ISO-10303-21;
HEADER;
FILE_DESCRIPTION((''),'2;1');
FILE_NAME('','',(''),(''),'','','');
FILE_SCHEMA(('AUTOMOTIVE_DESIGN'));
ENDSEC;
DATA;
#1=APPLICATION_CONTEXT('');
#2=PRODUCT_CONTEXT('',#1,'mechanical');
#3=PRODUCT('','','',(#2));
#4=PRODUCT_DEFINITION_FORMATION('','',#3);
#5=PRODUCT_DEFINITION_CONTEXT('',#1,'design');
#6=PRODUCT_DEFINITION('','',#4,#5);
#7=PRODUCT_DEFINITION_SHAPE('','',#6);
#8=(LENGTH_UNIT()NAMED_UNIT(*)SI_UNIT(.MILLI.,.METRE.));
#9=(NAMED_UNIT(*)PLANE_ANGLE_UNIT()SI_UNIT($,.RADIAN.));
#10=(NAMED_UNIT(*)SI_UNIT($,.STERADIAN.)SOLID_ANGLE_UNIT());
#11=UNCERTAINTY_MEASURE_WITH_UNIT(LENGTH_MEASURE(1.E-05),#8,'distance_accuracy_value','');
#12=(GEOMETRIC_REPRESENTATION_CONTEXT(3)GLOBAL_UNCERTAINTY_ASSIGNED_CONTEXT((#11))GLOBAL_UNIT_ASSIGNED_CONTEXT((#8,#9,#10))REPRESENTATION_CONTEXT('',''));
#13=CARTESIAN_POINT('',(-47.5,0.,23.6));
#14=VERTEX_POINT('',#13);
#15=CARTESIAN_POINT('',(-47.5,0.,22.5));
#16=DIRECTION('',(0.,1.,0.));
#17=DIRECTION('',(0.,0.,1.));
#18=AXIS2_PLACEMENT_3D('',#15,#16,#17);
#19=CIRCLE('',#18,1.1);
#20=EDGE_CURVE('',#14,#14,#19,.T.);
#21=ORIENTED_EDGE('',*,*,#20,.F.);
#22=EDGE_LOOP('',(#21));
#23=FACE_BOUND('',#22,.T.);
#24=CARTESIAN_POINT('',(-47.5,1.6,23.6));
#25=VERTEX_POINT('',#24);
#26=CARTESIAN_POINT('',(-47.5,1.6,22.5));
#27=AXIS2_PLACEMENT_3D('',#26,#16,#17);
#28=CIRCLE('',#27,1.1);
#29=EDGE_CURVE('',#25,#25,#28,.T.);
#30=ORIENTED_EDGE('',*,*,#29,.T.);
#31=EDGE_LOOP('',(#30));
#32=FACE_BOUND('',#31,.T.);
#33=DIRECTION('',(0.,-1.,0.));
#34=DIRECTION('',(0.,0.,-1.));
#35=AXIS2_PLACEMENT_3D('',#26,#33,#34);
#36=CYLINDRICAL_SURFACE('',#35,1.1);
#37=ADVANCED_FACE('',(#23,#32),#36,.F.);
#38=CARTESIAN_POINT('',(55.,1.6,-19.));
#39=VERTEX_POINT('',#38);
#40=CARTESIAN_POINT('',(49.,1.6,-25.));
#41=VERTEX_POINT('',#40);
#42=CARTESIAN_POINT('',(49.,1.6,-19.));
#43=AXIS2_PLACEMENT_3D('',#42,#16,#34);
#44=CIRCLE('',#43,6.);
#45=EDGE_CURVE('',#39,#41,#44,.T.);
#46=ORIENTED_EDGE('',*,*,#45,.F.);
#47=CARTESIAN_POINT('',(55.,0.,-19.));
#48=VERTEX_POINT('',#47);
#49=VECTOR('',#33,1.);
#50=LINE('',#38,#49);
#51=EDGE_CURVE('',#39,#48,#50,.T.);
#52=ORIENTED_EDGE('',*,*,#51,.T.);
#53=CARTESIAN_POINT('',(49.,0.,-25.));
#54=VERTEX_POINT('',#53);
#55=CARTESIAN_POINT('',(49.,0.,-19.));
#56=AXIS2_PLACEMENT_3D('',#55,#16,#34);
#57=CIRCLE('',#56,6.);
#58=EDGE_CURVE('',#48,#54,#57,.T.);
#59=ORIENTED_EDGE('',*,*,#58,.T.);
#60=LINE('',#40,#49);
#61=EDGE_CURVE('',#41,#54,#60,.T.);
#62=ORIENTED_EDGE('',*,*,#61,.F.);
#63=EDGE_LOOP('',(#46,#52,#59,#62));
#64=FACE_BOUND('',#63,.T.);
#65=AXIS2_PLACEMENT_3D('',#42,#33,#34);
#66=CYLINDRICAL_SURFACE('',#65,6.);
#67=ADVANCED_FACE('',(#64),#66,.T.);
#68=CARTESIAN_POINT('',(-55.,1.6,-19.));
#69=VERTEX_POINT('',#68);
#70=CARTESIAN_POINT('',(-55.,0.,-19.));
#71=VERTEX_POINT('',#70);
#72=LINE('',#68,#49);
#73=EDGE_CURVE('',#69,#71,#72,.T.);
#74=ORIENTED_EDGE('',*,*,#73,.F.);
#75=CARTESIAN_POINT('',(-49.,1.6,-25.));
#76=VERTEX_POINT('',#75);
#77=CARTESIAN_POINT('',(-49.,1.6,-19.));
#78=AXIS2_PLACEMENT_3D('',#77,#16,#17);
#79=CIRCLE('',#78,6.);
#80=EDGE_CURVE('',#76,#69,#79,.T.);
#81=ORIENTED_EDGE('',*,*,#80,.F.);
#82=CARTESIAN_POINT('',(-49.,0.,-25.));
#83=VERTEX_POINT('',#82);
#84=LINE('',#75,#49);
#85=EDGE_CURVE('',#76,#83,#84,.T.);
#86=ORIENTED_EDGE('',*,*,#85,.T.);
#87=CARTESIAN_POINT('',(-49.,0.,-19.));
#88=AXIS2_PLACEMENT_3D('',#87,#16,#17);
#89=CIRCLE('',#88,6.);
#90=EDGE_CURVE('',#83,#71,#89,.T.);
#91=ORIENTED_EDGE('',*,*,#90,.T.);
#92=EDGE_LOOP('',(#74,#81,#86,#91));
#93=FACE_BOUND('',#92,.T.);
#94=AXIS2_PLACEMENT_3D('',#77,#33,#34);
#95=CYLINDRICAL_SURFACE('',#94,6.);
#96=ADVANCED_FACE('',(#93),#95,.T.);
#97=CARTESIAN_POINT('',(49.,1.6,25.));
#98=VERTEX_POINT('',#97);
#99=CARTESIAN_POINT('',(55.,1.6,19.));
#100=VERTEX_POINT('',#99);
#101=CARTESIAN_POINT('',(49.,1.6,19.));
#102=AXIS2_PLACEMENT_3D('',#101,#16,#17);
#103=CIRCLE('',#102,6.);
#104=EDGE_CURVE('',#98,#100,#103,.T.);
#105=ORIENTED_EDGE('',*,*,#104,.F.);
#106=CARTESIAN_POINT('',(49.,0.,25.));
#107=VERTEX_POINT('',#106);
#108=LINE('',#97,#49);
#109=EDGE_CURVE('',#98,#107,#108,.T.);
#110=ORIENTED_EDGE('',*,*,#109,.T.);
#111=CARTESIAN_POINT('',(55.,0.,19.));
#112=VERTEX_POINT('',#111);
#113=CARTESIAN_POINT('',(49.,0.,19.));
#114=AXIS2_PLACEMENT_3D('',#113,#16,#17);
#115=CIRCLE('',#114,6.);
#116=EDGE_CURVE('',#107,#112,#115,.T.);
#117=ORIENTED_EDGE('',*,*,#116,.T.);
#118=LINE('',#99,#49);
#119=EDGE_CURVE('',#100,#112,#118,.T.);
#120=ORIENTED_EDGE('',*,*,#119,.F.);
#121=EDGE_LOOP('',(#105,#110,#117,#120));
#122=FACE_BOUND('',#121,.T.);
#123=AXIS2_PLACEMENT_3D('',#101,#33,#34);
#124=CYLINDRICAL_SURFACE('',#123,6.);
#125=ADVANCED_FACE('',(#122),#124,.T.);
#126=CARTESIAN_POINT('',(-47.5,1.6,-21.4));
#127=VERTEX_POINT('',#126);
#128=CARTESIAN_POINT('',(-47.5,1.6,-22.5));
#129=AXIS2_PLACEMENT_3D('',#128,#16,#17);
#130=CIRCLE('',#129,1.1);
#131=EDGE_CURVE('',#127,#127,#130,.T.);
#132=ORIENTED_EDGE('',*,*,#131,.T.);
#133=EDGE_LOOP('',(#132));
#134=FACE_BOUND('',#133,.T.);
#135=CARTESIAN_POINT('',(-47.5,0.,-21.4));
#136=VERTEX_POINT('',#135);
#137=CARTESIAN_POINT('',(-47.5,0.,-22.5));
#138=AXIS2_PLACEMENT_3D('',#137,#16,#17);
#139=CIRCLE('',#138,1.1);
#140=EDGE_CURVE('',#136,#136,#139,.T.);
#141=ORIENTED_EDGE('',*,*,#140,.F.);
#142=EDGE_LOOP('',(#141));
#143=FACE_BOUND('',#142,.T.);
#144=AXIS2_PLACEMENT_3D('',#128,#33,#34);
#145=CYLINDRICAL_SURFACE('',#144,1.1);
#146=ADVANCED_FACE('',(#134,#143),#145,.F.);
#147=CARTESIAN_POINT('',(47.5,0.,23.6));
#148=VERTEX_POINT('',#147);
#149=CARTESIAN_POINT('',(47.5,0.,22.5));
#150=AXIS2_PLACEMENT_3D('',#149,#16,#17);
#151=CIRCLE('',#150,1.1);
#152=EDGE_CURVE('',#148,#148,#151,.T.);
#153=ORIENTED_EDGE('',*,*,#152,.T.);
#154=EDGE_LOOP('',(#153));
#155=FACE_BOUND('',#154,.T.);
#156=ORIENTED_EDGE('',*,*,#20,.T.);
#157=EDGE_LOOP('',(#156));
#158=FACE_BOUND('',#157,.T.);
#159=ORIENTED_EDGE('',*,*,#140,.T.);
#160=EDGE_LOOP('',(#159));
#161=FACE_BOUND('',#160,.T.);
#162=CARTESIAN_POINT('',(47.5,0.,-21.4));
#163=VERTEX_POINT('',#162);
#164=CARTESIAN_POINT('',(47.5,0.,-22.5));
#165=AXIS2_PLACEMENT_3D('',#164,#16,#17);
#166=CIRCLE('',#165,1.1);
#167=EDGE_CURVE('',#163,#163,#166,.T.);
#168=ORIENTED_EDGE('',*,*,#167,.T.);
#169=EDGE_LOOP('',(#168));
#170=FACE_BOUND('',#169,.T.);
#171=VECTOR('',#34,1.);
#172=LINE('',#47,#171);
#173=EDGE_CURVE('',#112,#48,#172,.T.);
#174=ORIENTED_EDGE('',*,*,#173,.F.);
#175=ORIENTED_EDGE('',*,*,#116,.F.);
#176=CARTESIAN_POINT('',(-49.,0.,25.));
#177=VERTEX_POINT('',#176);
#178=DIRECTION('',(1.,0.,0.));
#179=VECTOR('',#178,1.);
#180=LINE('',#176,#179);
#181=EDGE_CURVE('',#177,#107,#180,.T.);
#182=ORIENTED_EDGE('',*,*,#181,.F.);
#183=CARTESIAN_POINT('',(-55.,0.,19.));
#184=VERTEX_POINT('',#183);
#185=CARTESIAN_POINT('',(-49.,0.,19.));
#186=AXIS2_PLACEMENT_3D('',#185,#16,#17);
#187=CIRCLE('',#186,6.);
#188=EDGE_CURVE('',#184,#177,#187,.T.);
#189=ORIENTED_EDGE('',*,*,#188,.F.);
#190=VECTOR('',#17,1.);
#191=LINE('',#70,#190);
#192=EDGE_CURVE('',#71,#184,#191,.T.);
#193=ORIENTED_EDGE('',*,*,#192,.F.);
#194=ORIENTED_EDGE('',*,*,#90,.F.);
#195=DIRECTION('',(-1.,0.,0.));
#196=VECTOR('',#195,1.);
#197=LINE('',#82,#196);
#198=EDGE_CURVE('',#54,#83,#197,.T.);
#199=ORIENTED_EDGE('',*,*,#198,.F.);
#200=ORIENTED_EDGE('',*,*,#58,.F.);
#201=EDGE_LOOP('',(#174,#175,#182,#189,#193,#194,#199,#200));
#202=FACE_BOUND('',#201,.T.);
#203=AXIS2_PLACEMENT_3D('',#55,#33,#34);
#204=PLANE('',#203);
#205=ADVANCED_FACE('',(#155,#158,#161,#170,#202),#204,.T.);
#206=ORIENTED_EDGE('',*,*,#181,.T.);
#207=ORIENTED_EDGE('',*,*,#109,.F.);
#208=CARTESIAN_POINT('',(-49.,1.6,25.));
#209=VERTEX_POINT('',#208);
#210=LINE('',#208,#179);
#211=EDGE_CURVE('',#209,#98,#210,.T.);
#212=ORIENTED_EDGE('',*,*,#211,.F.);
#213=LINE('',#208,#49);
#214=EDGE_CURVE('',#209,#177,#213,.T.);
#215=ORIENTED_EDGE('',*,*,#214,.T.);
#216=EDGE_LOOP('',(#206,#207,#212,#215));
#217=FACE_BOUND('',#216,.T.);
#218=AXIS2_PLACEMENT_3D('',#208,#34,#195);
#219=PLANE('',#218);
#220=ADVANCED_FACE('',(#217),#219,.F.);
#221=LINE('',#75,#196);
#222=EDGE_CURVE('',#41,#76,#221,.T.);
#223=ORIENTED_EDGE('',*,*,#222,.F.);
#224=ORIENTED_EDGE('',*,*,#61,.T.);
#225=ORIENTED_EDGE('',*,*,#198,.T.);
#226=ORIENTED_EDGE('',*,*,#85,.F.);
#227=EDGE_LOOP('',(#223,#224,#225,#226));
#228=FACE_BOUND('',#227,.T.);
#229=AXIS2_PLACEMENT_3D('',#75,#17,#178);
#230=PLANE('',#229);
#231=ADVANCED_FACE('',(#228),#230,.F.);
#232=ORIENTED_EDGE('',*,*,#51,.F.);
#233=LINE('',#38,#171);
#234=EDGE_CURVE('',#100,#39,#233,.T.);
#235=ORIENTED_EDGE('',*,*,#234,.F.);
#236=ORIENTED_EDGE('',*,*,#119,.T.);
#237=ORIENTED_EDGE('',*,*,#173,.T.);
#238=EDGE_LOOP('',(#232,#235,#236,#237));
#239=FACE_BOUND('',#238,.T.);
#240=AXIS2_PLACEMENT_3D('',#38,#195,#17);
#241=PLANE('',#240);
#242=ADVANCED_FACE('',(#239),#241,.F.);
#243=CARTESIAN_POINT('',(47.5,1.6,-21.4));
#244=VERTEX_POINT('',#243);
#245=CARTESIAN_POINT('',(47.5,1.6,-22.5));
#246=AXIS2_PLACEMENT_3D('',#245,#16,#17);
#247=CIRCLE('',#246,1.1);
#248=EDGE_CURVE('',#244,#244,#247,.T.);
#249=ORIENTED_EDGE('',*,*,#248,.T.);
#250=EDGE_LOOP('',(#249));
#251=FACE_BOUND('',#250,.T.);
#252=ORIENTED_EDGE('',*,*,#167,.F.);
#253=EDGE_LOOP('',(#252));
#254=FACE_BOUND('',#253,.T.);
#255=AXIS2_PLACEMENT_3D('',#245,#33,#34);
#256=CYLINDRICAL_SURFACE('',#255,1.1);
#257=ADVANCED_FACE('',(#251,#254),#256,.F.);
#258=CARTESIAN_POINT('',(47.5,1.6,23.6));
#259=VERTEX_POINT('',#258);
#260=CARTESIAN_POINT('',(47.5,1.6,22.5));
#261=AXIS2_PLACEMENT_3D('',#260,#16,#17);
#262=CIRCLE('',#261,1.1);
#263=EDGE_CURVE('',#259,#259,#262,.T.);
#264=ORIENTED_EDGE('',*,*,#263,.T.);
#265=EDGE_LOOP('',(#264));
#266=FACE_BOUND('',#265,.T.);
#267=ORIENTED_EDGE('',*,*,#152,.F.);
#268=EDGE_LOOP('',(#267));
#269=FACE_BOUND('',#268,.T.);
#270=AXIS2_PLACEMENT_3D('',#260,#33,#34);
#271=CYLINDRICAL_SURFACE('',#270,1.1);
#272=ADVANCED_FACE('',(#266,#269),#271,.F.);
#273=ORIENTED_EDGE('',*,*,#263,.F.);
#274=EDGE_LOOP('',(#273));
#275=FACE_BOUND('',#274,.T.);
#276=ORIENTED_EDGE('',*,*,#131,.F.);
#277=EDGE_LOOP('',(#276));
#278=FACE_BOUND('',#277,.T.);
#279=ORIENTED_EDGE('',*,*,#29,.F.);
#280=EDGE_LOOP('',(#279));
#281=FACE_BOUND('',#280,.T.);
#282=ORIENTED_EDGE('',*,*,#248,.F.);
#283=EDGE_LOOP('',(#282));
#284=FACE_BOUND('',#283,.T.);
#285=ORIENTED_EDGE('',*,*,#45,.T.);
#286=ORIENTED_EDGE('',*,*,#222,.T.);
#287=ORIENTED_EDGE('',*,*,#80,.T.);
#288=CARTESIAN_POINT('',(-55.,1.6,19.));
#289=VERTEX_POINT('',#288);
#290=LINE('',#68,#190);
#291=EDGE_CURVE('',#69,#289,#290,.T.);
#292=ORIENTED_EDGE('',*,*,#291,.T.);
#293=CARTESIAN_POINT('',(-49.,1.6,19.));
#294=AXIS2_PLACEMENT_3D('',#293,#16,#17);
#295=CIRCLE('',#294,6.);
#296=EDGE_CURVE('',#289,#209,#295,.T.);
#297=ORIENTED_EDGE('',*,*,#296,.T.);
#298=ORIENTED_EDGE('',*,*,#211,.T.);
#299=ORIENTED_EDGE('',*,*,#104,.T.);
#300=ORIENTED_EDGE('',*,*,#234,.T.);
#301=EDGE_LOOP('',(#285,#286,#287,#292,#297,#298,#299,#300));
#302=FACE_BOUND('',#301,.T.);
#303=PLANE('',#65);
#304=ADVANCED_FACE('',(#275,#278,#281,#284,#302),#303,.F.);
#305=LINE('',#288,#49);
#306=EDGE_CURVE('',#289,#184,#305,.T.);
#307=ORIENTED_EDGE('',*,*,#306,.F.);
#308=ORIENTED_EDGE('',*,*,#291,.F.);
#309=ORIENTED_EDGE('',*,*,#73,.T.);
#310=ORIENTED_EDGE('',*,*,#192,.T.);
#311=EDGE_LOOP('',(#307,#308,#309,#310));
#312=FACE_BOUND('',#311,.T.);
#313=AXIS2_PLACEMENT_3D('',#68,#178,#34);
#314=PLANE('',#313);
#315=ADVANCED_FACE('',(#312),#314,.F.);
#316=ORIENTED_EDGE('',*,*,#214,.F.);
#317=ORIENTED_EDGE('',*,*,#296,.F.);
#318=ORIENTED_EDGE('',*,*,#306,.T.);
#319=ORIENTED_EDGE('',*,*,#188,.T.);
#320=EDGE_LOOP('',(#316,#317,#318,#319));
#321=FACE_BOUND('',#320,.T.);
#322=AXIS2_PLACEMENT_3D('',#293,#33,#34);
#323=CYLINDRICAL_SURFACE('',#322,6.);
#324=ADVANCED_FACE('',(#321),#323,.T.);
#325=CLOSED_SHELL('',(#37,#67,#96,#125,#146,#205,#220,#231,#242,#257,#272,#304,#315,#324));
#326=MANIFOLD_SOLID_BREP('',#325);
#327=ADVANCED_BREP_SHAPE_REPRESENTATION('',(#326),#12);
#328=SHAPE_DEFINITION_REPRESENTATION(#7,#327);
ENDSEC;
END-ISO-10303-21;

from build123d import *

# Parameters (mm, degrees)
SKIZZE1_R                       = 1.1
AUFSATZ_LINEAR_AUSTRAGEN1_DEPTH = 1.6


with BuildPart() as part:
    # Skizze1 → Aufsatz-Linear austragen1 (new body)
    with BuildSketch(Plane(origin=(0, 0, 0), x_dir=(1, 0, 0), z_dir=(0, 1, 0))):
        with BuildLine():
            Line((-49, 25), (49, 25))
            ThreePointArc((49, 25), (53.242640687, 23.242640687), (55, 19))
            Line((55, 19), (55, -19))
            ThreePointArc((55, -19), (53.242640687, -23.242640687), (49, -25))
            Line((49, -25), (-49, -25))
            ThreePointArc((-49, -25), (-53.242640687, -23.242640687), (-55, -19))
            Line((-55, -19), (-55, 19))
            ThreePointArc((-55, 19), (-53.242640687, 23.242640687), (-49, 25))
        make_face()
        with Locations(Location((47.5, 22.5, 0), (0, 0, 270))):
            Circle(SKIZZE1_R, mode=Mode.SUBTRACT)
        with Locations(Location((-47.5, 22.5, 0), (0, 0, 270))):
            Circle(SKIZZE1_R, mode=Mode.SUBTRACT)
        with Locations(Location((47.5, -22.5, 0), (0, 0, 270))):
            Circle(SKIZZE1_R, mode=Mode.SUBTRACT)
        with Locations(Location((-47.5, -22.5, 0), (0, 0, 270))):
            Circle(SKIZZE1_R, mode=Mode.SUBTRACT)
    extrude(amount=AUFSATZ_LINEAR_AUSTRAGEN1_DEPTH)


solid = part.part
